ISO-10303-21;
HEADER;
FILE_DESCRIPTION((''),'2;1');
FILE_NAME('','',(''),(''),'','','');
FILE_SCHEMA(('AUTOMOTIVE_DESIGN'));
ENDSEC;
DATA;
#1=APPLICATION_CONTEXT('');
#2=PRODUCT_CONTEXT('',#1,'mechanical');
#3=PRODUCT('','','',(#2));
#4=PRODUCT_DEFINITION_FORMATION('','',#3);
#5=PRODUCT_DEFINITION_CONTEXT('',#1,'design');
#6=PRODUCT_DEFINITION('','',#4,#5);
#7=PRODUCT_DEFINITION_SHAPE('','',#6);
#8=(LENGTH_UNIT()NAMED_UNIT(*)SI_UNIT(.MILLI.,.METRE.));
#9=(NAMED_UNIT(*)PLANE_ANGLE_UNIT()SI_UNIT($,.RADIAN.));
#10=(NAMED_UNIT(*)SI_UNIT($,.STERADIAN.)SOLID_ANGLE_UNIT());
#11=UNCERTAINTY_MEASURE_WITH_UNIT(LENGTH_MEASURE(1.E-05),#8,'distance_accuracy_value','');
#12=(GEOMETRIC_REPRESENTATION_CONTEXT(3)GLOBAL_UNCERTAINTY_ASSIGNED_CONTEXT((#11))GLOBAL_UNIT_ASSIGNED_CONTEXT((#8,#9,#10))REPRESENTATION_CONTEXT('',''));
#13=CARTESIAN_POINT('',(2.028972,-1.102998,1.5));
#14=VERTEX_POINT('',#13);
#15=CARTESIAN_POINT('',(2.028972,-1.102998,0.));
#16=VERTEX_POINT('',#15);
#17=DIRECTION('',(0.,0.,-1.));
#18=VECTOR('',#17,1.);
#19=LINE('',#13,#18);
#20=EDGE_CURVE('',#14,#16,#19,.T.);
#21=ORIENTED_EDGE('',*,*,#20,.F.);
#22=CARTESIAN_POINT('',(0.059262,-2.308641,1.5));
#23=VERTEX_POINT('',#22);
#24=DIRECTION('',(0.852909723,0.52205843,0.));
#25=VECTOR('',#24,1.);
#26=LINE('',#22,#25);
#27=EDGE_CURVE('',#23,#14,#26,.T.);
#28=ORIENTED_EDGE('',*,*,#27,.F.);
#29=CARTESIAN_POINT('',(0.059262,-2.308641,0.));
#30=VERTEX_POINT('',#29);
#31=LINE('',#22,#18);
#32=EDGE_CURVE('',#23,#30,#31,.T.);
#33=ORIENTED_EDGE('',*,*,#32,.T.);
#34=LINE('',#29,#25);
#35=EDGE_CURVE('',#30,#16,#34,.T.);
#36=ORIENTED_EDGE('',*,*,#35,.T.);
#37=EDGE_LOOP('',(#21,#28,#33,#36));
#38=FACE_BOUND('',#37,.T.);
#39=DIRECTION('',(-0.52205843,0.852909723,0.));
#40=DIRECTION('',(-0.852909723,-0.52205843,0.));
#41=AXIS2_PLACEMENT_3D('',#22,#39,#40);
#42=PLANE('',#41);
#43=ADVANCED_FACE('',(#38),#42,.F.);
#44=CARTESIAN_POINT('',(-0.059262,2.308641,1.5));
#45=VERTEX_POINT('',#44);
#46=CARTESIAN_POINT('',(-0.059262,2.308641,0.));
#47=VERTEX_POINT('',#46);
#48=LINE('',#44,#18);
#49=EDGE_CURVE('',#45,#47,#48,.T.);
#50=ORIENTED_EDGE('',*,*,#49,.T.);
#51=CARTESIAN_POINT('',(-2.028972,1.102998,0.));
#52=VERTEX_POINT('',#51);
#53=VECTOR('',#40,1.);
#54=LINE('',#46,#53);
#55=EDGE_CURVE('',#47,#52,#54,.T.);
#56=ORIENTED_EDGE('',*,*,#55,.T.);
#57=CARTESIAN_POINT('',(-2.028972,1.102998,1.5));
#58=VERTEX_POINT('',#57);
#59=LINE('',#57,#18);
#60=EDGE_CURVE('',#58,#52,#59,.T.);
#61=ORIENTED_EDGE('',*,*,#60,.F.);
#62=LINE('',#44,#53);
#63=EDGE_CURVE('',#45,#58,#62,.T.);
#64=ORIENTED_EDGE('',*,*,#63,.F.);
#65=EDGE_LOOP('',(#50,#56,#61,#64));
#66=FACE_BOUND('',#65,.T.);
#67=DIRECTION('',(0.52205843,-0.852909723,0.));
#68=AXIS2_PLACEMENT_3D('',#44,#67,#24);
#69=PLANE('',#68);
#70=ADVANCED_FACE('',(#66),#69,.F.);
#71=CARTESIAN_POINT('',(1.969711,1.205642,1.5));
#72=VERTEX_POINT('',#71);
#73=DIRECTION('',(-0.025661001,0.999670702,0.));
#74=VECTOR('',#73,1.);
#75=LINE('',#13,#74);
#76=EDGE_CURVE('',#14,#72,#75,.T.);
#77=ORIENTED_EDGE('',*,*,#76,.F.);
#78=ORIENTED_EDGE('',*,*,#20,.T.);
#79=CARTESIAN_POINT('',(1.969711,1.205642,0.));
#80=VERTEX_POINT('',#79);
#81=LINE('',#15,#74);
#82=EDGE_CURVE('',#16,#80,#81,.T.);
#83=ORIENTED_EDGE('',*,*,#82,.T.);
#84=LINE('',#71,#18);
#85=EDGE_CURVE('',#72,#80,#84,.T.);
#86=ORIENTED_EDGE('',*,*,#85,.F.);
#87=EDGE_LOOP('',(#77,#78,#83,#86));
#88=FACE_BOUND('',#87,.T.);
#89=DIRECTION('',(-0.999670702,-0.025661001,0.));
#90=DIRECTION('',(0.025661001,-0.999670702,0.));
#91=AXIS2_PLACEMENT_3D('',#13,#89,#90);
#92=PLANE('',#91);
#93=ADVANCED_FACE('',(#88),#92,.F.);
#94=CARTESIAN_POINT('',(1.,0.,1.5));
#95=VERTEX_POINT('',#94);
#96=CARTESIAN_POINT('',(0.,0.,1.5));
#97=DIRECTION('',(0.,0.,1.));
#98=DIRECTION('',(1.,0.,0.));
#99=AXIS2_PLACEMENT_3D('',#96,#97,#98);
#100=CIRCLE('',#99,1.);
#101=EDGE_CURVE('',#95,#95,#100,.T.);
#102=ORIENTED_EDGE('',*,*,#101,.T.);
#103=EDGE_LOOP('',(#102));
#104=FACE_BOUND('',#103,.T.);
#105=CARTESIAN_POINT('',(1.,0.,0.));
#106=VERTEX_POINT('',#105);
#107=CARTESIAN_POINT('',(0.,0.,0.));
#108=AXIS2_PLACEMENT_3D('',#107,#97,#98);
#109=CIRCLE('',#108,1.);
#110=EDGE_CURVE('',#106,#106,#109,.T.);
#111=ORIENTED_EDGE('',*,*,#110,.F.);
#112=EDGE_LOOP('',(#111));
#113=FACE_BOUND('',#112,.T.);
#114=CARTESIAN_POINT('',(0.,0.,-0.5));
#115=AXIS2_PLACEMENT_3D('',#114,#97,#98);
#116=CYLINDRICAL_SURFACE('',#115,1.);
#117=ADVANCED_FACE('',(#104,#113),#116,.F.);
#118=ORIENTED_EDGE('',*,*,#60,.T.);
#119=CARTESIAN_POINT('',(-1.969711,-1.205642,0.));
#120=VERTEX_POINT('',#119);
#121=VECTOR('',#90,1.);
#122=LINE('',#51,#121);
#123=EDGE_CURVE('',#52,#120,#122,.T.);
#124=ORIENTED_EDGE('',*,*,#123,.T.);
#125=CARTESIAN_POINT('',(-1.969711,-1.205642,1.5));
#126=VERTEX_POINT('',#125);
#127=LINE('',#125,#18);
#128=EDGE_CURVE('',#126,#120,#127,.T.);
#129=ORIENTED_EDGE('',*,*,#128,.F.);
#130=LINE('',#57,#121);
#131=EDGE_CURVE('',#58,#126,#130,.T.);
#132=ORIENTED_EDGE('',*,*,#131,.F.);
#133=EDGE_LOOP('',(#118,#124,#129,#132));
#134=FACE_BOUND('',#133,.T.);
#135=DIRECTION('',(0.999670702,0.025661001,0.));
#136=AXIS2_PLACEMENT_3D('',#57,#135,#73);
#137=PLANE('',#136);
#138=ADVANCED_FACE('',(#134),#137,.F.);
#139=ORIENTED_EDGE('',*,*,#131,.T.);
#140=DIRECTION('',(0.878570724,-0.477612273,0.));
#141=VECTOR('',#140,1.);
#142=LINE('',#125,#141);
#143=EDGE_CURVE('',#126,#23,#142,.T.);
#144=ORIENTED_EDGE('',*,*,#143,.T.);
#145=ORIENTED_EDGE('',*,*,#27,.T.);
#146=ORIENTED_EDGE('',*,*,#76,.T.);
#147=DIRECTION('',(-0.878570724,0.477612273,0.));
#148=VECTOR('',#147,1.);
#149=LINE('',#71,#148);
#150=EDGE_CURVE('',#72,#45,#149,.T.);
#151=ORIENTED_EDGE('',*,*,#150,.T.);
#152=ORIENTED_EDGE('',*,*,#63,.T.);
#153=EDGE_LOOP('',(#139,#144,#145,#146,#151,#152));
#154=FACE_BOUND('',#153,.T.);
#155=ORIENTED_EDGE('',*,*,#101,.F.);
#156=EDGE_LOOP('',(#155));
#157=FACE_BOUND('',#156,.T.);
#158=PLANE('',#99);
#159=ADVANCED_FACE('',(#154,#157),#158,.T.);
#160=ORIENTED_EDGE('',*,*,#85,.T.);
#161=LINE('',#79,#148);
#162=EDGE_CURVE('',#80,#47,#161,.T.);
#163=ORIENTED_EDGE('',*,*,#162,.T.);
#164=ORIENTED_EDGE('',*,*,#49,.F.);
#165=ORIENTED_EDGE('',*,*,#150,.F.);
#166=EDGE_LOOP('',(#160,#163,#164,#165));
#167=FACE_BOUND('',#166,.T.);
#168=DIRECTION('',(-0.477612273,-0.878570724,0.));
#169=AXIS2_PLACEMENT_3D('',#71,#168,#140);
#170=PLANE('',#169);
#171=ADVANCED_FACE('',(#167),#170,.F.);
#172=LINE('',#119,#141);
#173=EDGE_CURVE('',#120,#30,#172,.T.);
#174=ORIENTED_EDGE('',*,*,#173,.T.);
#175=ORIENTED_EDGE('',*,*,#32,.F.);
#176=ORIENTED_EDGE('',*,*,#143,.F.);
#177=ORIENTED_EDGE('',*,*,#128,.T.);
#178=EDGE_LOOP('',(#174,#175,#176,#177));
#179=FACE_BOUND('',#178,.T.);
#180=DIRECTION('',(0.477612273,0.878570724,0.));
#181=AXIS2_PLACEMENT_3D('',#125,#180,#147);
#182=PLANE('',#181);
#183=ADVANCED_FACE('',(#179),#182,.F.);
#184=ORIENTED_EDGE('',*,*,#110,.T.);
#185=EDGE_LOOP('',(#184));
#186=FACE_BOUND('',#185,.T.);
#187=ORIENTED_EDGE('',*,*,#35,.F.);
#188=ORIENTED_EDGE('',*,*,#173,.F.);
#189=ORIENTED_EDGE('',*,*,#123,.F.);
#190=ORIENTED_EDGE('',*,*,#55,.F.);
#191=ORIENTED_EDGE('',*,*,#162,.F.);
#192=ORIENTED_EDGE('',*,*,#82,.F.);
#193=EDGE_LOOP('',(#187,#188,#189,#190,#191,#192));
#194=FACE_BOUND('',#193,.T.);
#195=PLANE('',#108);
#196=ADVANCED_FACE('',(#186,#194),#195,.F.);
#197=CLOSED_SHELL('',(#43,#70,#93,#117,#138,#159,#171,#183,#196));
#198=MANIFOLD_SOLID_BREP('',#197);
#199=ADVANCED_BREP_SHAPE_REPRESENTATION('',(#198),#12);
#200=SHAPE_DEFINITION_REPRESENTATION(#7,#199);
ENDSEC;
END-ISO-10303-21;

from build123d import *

# Parameters (mm, degrees)
EXTRUDE_1_DEPTH     = 1.5
SKETCH_2_R          = 1
CUT_EXTRUDE_1_DEPTH = 2


with BuildPart() as part:
    # 草图1 → 凸台-拉伸1 (new body)
    with BuildSketch(Plane.XY):
        Polygon((2.028972176, -1.102998297), (1.969710633, 1.205642299), (-0.059261542, 2.308640596), (-2.028972176, 1.102998297), (-1.969710633, -1.205642299), (0.059261542, -2.308640596), align=None)
    extrude(amount=EXTRUDE_1_DEPTH)

    # 草图2 → 切除-拉伸1 (cut)
    with BuildSketch(Plane.XY.offset(1.5)):
        Circle(SKETCH_2_R)
    extrude(amount=-CUT_EXTRUDE_1_DEPTH, mode=Mode.SUBTRACT)


solid = part.part
